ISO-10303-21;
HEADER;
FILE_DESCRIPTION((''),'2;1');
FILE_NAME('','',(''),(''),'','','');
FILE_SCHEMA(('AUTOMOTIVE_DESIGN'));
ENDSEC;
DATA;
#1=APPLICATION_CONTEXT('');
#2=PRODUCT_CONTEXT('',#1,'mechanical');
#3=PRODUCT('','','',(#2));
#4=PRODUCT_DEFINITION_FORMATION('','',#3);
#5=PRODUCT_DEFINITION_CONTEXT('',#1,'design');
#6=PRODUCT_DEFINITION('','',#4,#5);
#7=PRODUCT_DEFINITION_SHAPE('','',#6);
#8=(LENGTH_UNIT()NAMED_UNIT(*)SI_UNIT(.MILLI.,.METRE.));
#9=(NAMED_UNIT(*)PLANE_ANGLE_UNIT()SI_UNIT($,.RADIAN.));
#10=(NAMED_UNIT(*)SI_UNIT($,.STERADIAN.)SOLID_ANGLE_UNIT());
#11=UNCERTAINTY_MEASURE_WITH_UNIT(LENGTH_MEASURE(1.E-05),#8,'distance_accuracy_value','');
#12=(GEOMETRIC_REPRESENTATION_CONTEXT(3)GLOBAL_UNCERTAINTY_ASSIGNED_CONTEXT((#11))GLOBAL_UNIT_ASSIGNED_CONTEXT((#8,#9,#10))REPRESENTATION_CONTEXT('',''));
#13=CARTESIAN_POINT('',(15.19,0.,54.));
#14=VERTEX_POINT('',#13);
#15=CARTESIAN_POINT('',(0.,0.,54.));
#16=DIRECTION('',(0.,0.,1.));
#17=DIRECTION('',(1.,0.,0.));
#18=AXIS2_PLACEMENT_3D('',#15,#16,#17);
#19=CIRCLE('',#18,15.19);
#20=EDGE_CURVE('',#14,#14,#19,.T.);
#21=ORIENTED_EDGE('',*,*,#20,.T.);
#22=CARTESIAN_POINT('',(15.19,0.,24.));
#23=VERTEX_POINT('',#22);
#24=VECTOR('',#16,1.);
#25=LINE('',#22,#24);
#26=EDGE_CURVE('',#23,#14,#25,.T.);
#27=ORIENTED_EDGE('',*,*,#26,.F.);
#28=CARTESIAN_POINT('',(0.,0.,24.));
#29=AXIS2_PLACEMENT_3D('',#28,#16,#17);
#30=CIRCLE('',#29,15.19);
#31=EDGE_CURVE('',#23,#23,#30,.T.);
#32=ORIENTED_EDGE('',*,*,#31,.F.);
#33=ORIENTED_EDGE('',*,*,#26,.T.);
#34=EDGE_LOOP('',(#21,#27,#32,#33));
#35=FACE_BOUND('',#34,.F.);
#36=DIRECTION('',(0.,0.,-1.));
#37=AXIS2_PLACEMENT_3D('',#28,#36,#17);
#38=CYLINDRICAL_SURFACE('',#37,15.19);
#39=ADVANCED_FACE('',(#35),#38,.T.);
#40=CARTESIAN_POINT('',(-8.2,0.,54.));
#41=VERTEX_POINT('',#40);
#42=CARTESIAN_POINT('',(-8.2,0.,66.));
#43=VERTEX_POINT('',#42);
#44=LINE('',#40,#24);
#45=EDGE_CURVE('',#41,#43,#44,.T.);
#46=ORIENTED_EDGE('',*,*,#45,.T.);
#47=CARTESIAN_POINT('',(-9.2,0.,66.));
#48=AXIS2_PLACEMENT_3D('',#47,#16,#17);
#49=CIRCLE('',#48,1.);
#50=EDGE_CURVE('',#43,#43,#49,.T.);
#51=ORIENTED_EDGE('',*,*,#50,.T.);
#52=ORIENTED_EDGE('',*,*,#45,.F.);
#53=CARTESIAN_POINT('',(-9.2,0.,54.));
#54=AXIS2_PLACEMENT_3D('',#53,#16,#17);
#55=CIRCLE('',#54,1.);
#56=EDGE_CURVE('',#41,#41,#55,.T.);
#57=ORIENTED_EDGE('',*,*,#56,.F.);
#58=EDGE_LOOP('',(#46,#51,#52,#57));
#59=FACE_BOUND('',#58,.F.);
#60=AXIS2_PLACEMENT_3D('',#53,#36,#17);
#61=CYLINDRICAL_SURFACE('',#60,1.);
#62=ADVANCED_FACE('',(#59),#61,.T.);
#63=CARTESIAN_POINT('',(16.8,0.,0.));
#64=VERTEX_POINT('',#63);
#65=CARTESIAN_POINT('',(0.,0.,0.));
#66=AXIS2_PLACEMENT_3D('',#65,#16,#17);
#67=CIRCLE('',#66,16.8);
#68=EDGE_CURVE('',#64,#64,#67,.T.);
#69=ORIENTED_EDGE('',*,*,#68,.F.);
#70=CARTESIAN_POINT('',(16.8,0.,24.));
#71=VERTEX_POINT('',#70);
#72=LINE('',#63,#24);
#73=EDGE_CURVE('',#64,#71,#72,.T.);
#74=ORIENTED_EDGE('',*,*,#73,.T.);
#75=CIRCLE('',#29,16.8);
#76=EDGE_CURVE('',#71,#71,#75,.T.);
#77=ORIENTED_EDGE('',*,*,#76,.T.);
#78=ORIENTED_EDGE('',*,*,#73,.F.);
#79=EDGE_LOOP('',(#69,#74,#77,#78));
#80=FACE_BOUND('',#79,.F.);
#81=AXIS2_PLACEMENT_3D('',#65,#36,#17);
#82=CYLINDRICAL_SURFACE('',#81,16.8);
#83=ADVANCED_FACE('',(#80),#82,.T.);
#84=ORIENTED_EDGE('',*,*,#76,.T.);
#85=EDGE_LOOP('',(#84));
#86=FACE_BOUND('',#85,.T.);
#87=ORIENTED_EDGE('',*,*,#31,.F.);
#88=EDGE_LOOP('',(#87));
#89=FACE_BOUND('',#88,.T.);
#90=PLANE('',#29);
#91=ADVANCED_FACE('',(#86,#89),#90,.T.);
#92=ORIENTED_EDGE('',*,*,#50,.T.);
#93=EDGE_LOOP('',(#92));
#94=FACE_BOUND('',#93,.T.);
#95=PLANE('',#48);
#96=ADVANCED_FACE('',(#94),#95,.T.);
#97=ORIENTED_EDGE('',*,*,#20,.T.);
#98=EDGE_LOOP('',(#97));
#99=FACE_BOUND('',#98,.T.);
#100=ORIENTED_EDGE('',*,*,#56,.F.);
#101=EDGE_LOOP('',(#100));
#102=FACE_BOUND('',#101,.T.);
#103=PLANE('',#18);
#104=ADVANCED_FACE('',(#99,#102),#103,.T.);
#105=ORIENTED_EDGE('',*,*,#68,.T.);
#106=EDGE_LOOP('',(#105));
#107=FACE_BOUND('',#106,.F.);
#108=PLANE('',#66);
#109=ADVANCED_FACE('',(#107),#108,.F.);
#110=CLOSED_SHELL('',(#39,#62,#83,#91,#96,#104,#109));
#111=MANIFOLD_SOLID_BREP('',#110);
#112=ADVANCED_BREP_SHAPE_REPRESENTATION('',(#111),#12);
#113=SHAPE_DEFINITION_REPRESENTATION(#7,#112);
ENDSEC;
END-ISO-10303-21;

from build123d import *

# Parameters (mm, degrees)
SKETCH_R     = 16.8
PAD_DEPTH    = 24
SKETCH001_R  = 15.19
PAD001_DEPTH = 30
SKETCH002_R  = 1
PAD002_DEPTH = 12


with BuildPart() as part:
    # Sketch → Pad (new body)
    with BuildSketch(Plane.XY):
        Circle(SKETCH_R)
    extrude(amount=PAD_DEPTH)

    # Sketch001 → Pad001 (new body)
    with BuildSketch(Plane.XY.offset(24)):
        Circle(SKETCH001_R)
    extrude(amount=PAD001_DEPTH)

    # Sketch002 → Pad002 (new body)
    with BuildSketch(Plane.XY.offset(54)):
        with Locations((-9.2, 0)):
            Circle(SKETCH002_R)
    extrude(amount=PAD002_DEPTH)


solid = part.part
